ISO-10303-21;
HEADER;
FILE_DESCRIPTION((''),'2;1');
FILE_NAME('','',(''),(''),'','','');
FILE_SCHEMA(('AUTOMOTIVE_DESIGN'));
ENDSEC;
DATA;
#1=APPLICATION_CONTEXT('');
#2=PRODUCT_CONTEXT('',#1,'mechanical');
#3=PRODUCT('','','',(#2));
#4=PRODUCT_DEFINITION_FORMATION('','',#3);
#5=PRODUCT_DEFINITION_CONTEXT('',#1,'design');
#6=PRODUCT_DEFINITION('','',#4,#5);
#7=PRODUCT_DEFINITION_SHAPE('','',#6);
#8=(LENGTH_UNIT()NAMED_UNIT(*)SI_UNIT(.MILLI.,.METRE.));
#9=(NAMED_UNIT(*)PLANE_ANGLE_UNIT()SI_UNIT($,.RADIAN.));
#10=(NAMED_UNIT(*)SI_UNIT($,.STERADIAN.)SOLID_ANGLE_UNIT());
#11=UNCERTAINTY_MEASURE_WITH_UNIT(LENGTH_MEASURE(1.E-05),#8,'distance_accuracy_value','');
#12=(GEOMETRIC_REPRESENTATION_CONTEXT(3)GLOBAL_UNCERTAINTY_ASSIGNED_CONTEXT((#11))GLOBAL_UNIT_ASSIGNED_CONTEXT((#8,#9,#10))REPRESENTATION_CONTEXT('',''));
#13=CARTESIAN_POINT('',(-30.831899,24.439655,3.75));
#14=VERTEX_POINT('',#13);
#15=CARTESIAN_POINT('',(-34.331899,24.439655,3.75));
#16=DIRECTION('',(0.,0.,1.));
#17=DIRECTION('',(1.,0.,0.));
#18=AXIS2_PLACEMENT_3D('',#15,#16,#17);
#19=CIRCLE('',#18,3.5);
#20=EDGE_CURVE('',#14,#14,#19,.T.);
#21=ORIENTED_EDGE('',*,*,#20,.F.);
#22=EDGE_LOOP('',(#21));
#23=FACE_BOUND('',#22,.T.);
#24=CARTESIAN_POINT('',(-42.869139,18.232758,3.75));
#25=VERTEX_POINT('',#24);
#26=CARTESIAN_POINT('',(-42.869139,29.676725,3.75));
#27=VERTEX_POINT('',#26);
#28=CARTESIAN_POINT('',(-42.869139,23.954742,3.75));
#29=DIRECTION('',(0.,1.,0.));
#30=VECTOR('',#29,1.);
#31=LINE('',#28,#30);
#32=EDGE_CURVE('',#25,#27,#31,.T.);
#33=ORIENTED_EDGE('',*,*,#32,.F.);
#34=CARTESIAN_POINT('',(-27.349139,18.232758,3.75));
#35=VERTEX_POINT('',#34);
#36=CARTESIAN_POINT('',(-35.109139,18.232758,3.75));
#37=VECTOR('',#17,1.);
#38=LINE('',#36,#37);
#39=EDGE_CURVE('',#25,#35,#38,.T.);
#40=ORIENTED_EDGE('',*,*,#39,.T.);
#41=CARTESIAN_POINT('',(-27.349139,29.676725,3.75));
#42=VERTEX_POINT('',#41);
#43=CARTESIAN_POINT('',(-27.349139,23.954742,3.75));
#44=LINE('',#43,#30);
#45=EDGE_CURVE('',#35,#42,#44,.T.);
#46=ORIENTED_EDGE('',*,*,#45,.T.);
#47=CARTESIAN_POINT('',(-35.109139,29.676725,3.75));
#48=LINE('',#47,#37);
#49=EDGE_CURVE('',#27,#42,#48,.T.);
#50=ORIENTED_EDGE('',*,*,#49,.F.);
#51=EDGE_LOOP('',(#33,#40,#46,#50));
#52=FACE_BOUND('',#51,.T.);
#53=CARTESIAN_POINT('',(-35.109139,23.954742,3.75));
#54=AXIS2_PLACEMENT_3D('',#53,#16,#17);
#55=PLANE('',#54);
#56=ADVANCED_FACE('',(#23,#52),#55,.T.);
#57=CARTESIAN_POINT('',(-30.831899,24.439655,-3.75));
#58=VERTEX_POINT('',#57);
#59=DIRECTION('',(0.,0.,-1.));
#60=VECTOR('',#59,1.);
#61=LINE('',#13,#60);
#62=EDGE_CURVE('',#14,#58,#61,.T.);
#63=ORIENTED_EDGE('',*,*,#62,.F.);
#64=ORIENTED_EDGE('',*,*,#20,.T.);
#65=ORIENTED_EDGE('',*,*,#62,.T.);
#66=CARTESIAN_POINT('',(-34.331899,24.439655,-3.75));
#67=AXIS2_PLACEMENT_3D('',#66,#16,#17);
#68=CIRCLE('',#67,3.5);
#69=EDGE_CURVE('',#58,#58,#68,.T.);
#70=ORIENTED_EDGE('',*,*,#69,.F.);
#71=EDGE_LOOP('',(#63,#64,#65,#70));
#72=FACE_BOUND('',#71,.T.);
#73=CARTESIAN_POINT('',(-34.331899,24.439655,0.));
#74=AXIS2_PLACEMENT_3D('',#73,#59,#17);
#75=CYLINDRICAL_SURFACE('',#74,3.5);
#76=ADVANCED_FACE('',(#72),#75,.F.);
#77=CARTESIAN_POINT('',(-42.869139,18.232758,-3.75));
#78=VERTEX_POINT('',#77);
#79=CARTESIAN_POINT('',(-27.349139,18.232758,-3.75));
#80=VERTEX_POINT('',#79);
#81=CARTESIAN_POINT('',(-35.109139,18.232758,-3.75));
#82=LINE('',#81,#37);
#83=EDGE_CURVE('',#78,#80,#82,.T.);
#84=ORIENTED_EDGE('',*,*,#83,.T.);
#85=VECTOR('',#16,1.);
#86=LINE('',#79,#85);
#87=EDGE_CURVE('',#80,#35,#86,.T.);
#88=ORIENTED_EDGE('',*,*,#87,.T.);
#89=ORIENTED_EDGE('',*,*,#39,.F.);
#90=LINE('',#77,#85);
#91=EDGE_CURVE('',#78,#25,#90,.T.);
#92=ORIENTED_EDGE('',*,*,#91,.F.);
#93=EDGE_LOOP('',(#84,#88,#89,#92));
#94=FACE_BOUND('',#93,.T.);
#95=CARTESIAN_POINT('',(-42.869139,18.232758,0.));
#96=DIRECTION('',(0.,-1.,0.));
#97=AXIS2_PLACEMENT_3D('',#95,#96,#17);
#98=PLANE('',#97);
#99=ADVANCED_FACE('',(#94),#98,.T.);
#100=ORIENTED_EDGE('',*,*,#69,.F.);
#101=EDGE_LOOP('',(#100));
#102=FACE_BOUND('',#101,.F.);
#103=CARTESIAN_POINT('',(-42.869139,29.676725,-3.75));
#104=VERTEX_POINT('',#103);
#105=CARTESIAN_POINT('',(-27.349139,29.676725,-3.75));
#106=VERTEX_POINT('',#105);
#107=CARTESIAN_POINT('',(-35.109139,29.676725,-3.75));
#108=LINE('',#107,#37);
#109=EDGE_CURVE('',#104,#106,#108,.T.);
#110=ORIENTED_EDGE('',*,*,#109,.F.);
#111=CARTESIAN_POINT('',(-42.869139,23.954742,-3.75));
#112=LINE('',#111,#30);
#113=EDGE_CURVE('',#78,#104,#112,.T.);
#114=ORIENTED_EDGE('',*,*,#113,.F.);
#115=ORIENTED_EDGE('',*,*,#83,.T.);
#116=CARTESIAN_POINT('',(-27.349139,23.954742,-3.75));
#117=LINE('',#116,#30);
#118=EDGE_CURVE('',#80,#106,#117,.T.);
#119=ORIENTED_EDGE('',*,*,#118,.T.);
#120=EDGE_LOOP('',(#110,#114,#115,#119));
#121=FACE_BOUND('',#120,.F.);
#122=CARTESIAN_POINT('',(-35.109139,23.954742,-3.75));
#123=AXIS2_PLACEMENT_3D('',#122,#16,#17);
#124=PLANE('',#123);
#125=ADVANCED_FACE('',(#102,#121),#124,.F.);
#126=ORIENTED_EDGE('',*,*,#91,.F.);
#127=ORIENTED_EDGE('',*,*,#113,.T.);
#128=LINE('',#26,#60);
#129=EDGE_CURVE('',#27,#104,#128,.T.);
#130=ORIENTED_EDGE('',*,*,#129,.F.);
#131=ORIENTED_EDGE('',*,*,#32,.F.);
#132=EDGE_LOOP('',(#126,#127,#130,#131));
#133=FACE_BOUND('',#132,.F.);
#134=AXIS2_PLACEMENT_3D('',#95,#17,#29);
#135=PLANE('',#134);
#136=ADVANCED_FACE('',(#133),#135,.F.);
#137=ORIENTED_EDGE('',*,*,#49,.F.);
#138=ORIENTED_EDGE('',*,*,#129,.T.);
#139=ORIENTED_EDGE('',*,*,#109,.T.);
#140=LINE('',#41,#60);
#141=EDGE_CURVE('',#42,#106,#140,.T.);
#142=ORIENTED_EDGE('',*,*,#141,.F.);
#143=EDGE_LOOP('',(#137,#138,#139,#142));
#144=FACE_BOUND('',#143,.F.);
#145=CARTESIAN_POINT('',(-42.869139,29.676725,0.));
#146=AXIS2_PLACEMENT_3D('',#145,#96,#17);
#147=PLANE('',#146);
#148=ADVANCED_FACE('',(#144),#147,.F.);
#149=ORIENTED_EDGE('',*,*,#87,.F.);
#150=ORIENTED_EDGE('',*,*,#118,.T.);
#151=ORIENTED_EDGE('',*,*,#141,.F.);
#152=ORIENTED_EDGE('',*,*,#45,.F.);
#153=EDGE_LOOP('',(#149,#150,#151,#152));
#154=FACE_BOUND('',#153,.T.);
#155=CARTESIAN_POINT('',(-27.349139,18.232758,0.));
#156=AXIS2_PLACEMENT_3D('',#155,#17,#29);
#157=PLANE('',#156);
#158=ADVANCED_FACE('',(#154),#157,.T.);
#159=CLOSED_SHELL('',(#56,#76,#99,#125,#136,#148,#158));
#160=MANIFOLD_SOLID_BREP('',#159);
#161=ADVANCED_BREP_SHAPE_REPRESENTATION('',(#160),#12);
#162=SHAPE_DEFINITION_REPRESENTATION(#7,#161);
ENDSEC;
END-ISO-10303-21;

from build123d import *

# Parameters (mm, degrees)
F0_W     = 15.52
F0_H     = 11.443967
F0_R     = 3.5
F1_DEPTH = 3.75


with BuildPart() as f1:
    # F0 (on Top) → F1 (new body, symmetric)
    with BuildSketch(Plane.XY):
        with Locations((-35.109139, 23.954742)):
            Rectangle(F0_W, F0_H)
        with Locations((-34.331899, 24.439655)):
            Circle(F0_R, mode=Mode.SUBTRACT)
    extrude(amount=F1_DEPTH, both=True)


solid = f1.part
